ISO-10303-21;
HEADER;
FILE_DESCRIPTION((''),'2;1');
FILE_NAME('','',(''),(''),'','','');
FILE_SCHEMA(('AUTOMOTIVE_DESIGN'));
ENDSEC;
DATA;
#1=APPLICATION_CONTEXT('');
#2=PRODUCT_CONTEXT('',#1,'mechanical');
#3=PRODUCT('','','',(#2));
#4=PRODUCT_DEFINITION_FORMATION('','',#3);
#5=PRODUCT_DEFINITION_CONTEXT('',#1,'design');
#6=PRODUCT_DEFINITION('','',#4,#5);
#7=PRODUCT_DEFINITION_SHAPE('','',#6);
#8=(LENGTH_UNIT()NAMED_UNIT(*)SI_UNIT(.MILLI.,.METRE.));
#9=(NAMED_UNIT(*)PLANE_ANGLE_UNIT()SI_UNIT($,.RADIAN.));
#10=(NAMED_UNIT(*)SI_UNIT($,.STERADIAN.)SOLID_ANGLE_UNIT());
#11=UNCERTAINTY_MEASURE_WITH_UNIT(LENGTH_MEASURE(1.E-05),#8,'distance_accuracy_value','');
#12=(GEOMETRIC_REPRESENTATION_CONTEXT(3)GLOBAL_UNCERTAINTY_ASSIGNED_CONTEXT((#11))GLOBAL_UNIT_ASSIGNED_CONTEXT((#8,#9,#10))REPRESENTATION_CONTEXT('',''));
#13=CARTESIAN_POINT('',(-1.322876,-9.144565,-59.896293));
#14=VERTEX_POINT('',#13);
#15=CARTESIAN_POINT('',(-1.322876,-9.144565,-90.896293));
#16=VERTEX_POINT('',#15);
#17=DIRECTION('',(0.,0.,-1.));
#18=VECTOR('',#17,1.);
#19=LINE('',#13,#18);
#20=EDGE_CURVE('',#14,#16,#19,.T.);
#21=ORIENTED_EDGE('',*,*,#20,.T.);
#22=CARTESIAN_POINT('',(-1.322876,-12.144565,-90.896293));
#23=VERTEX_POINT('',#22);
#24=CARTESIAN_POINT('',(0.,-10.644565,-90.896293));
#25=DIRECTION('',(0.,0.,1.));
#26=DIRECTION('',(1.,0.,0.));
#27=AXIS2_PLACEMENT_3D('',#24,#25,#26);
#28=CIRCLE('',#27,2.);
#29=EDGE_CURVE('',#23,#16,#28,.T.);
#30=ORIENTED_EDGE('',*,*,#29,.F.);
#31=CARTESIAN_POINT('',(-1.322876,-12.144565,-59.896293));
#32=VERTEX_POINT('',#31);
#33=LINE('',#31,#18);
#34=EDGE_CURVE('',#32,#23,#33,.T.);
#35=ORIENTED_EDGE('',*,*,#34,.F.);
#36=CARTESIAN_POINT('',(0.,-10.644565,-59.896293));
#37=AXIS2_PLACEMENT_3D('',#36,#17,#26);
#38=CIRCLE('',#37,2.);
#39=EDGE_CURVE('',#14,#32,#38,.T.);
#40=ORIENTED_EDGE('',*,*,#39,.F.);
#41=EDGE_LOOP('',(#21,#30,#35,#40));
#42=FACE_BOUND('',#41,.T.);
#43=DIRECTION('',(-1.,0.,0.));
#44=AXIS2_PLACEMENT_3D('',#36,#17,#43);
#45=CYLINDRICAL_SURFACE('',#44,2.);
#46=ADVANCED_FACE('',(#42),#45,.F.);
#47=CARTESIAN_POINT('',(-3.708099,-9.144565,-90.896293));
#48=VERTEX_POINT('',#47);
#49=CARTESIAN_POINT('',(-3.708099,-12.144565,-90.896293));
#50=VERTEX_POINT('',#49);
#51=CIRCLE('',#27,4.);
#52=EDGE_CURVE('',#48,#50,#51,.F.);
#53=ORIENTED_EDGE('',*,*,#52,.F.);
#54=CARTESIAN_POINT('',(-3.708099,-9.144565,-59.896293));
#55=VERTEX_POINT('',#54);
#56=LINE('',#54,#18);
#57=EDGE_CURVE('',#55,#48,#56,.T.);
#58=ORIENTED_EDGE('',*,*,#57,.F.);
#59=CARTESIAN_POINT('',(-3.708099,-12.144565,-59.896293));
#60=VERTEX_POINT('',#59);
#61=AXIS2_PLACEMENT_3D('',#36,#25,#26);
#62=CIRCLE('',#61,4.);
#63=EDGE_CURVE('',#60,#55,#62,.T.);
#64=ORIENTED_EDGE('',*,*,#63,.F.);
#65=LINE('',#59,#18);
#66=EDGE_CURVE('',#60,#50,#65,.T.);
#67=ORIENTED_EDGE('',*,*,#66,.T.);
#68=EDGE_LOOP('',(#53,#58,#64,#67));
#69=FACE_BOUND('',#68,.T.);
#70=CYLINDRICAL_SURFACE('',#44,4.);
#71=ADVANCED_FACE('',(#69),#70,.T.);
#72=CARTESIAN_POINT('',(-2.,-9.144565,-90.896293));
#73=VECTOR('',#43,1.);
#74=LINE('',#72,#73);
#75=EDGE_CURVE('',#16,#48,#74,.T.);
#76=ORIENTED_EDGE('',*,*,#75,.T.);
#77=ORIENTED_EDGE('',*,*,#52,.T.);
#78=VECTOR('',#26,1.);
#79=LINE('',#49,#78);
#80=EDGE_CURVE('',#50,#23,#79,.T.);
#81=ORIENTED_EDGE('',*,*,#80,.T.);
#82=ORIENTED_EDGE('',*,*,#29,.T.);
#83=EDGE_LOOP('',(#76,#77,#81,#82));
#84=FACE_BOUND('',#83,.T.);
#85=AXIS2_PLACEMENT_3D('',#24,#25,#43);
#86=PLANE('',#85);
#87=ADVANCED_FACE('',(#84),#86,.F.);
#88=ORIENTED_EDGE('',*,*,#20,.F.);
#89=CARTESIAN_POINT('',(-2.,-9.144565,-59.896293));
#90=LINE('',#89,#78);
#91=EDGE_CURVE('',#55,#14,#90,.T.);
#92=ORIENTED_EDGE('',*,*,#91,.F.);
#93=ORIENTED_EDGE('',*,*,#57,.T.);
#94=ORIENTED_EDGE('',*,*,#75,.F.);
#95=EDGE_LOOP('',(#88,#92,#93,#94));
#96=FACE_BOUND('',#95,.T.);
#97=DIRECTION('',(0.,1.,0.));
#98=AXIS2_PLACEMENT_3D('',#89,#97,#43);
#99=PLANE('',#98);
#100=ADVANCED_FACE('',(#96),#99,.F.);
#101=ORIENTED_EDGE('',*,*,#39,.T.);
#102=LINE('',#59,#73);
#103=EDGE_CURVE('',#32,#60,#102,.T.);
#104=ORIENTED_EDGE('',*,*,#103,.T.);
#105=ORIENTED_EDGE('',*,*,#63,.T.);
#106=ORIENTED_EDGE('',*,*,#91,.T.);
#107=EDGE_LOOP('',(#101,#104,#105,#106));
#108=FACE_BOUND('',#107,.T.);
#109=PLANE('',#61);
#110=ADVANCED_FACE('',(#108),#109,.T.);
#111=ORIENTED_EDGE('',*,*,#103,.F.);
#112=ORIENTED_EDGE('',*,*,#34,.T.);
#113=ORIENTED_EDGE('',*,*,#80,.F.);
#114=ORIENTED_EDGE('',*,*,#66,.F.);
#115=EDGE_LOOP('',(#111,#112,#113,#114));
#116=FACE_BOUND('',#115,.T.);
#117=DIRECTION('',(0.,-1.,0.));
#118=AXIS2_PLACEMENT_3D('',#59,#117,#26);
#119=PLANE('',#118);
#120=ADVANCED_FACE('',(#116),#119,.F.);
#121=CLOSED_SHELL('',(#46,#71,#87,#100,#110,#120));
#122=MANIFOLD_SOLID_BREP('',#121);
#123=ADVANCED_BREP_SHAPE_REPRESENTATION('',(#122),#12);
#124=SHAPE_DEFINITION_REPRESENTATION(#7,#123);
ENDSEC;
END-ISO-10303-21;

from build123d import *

# Parameters (mm, degrees)
BOSS_EXTRUDE1_DEPTH      = 5
BOSS_EXTRUDE1_DEPTH_BACK = 26


with BuildPart() as part:
    # Sketch1 → Boss-Extrude1 (new, two sides: drawn at the far end of the back side and taken through both)
    with BuildSketch(Plane.XY.offset(-64.896293081).offset(-BOSS_EXTRUDE1_DEPTH_BACK)):
        with BuildLine():
            Line((-3.708099243, -12.144565099), (-1.322875655, -12.144565099))
            ThreePointArc((-1.322875655, -12.144565099), (2, -10.644565099), (-1.322875655, -9.144565099))
            Line((-1.322875655, -9.144565099), (-2, -9.144565099))
            Line((-2, -9.144565099), (-3.708099243, -9.144565099))
            ThreePointArc((-3.708099243, -9.144565099), (4, -10.644565099), (-3.708099243, -12.144565099))
        make_face()
    extrude(amount=BOSS_EXTRUDE1_DEPTH + BOSS_EXTRUDE1_DEPTH_BACK)


solid = part.part
